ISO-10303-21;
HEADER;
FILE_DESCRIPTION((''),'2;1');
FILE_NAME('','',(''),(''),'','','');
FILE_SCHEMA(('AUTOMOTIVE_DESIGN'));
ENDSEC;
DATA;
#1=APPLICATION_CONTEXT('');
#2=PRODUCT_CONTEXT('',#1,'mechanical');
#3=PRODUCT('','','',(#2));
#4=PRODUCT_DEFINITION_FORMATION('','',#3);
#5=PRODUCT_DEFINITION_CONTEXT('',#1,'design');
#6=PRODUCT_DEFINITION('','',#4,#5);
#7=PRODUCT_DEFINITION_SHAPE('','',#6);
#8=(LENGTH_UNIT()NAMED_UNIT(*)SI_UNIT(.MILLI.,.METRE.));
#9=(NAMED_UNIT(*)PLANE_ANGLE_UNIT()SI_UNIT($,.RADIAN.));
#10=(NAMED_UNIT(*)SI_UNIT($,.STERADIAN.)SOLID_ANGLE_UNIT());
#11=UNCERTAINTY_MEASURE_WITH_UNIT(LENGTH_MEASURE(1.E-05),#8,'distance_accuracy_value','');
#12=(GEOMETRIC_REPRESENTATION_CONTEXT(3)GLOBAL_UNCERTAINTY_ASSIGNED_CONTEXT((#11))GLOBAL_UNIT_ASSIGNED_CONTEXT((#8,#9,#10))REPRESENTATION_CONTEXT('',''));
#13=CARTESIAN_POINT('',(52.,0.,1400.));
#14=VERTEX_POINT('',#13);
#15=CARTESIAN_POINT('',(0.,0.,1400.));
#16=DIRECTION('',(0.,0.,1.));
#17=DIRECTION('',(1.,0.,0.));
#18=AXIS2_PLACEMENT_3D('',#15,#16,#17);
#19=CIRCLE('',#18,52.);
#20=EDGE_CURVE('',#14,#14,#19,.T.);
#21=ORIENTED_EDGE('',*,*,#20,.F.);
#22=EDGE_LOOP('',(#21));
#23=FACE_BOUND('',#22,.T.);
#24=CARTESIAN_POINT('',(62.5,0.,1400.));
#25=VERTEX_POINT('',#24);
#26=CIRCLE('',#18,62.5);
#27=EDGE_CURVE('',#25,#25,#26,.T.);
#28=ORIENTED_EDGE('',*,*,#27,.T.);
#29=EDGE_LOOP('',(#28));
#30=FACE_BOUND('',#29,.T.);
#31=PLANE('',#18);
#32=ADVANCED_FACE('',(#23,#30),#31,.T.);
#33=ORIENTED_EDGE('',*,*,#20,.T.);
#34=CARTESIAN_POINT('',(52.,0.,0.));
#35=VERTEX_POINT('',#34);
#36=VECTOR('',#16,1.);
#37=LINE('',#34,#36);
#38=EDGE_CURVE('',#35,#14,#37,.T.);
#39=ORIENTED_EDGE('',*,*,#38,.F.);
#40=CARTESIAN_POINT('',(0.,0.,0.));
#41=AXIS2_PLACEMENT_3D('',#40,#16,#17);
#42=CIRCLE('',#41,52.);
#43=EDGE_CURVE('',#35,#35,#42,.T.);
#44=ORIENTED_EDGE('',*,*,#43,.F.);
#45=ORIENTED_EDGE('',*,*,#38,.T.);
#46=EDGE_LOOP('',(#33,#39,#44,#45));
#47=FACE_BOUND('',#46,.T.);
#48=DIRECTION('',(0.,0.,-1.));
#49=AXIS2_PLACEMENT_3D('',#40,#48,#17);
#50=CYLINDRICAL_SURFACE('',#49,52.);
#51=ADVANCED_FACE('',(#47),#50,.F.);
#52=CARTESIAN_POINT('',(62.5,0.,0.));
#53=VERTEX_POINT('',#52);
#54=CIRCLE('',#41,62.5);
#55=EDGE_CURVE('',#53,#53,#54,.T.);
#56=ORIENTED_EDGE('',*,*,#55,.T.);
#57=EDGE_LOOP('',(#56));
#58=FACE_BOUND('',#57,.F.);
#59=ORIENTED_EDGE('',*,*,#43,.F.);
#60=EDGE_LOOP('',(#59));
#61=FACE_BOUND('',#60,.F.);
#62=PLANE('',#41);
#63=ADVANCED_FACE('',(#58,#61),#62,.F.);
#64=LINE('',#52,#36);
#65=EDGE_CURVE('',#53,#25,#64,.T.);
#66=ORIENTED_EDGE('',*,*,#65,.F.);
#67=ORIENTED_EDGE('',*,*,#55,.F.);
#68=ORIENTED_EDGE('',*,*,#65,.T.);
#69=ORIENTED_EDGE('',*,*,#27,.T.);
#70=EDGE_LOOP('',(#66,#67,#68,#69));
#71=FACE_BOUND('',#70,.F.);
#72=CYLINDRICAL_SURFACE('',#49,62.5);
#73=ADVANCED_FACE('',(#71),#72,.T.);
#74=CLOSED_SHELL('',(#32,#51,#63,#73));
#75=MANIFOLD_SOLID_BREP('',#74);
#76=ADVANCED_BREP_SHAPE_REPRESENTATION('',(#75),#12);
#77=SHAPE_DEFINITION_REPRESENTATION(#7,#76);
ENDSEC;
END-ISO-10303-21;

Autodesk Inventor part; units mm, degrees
ref_plane "YZ Plane" through (0, 0, 0) normal (1, 0, 0) x (0, 1, 0)
ref_plane "XZ Plane" through (0, 0, 0) normal (0, 1, 0) x (-1, 0, 0)
ref_plane "XY Plane" through (0, 0, 0) normal (0, 0, 1) x (1, 0, 0)
sketch "Sketch1" plane through (0, 0, 0) normal (0, 0, 1) x (1, 0, 0)
  circle A0 centre (0, 0) radius 52
  circle A1 centre (0, 0) radius 62.5
  dimension "d0" = 125
  dimension "d1" = 104
extrude "Extrusion1" add sketch "Sketch1" along normal blind 1400
properties part number "NVPH-331 main tube"
